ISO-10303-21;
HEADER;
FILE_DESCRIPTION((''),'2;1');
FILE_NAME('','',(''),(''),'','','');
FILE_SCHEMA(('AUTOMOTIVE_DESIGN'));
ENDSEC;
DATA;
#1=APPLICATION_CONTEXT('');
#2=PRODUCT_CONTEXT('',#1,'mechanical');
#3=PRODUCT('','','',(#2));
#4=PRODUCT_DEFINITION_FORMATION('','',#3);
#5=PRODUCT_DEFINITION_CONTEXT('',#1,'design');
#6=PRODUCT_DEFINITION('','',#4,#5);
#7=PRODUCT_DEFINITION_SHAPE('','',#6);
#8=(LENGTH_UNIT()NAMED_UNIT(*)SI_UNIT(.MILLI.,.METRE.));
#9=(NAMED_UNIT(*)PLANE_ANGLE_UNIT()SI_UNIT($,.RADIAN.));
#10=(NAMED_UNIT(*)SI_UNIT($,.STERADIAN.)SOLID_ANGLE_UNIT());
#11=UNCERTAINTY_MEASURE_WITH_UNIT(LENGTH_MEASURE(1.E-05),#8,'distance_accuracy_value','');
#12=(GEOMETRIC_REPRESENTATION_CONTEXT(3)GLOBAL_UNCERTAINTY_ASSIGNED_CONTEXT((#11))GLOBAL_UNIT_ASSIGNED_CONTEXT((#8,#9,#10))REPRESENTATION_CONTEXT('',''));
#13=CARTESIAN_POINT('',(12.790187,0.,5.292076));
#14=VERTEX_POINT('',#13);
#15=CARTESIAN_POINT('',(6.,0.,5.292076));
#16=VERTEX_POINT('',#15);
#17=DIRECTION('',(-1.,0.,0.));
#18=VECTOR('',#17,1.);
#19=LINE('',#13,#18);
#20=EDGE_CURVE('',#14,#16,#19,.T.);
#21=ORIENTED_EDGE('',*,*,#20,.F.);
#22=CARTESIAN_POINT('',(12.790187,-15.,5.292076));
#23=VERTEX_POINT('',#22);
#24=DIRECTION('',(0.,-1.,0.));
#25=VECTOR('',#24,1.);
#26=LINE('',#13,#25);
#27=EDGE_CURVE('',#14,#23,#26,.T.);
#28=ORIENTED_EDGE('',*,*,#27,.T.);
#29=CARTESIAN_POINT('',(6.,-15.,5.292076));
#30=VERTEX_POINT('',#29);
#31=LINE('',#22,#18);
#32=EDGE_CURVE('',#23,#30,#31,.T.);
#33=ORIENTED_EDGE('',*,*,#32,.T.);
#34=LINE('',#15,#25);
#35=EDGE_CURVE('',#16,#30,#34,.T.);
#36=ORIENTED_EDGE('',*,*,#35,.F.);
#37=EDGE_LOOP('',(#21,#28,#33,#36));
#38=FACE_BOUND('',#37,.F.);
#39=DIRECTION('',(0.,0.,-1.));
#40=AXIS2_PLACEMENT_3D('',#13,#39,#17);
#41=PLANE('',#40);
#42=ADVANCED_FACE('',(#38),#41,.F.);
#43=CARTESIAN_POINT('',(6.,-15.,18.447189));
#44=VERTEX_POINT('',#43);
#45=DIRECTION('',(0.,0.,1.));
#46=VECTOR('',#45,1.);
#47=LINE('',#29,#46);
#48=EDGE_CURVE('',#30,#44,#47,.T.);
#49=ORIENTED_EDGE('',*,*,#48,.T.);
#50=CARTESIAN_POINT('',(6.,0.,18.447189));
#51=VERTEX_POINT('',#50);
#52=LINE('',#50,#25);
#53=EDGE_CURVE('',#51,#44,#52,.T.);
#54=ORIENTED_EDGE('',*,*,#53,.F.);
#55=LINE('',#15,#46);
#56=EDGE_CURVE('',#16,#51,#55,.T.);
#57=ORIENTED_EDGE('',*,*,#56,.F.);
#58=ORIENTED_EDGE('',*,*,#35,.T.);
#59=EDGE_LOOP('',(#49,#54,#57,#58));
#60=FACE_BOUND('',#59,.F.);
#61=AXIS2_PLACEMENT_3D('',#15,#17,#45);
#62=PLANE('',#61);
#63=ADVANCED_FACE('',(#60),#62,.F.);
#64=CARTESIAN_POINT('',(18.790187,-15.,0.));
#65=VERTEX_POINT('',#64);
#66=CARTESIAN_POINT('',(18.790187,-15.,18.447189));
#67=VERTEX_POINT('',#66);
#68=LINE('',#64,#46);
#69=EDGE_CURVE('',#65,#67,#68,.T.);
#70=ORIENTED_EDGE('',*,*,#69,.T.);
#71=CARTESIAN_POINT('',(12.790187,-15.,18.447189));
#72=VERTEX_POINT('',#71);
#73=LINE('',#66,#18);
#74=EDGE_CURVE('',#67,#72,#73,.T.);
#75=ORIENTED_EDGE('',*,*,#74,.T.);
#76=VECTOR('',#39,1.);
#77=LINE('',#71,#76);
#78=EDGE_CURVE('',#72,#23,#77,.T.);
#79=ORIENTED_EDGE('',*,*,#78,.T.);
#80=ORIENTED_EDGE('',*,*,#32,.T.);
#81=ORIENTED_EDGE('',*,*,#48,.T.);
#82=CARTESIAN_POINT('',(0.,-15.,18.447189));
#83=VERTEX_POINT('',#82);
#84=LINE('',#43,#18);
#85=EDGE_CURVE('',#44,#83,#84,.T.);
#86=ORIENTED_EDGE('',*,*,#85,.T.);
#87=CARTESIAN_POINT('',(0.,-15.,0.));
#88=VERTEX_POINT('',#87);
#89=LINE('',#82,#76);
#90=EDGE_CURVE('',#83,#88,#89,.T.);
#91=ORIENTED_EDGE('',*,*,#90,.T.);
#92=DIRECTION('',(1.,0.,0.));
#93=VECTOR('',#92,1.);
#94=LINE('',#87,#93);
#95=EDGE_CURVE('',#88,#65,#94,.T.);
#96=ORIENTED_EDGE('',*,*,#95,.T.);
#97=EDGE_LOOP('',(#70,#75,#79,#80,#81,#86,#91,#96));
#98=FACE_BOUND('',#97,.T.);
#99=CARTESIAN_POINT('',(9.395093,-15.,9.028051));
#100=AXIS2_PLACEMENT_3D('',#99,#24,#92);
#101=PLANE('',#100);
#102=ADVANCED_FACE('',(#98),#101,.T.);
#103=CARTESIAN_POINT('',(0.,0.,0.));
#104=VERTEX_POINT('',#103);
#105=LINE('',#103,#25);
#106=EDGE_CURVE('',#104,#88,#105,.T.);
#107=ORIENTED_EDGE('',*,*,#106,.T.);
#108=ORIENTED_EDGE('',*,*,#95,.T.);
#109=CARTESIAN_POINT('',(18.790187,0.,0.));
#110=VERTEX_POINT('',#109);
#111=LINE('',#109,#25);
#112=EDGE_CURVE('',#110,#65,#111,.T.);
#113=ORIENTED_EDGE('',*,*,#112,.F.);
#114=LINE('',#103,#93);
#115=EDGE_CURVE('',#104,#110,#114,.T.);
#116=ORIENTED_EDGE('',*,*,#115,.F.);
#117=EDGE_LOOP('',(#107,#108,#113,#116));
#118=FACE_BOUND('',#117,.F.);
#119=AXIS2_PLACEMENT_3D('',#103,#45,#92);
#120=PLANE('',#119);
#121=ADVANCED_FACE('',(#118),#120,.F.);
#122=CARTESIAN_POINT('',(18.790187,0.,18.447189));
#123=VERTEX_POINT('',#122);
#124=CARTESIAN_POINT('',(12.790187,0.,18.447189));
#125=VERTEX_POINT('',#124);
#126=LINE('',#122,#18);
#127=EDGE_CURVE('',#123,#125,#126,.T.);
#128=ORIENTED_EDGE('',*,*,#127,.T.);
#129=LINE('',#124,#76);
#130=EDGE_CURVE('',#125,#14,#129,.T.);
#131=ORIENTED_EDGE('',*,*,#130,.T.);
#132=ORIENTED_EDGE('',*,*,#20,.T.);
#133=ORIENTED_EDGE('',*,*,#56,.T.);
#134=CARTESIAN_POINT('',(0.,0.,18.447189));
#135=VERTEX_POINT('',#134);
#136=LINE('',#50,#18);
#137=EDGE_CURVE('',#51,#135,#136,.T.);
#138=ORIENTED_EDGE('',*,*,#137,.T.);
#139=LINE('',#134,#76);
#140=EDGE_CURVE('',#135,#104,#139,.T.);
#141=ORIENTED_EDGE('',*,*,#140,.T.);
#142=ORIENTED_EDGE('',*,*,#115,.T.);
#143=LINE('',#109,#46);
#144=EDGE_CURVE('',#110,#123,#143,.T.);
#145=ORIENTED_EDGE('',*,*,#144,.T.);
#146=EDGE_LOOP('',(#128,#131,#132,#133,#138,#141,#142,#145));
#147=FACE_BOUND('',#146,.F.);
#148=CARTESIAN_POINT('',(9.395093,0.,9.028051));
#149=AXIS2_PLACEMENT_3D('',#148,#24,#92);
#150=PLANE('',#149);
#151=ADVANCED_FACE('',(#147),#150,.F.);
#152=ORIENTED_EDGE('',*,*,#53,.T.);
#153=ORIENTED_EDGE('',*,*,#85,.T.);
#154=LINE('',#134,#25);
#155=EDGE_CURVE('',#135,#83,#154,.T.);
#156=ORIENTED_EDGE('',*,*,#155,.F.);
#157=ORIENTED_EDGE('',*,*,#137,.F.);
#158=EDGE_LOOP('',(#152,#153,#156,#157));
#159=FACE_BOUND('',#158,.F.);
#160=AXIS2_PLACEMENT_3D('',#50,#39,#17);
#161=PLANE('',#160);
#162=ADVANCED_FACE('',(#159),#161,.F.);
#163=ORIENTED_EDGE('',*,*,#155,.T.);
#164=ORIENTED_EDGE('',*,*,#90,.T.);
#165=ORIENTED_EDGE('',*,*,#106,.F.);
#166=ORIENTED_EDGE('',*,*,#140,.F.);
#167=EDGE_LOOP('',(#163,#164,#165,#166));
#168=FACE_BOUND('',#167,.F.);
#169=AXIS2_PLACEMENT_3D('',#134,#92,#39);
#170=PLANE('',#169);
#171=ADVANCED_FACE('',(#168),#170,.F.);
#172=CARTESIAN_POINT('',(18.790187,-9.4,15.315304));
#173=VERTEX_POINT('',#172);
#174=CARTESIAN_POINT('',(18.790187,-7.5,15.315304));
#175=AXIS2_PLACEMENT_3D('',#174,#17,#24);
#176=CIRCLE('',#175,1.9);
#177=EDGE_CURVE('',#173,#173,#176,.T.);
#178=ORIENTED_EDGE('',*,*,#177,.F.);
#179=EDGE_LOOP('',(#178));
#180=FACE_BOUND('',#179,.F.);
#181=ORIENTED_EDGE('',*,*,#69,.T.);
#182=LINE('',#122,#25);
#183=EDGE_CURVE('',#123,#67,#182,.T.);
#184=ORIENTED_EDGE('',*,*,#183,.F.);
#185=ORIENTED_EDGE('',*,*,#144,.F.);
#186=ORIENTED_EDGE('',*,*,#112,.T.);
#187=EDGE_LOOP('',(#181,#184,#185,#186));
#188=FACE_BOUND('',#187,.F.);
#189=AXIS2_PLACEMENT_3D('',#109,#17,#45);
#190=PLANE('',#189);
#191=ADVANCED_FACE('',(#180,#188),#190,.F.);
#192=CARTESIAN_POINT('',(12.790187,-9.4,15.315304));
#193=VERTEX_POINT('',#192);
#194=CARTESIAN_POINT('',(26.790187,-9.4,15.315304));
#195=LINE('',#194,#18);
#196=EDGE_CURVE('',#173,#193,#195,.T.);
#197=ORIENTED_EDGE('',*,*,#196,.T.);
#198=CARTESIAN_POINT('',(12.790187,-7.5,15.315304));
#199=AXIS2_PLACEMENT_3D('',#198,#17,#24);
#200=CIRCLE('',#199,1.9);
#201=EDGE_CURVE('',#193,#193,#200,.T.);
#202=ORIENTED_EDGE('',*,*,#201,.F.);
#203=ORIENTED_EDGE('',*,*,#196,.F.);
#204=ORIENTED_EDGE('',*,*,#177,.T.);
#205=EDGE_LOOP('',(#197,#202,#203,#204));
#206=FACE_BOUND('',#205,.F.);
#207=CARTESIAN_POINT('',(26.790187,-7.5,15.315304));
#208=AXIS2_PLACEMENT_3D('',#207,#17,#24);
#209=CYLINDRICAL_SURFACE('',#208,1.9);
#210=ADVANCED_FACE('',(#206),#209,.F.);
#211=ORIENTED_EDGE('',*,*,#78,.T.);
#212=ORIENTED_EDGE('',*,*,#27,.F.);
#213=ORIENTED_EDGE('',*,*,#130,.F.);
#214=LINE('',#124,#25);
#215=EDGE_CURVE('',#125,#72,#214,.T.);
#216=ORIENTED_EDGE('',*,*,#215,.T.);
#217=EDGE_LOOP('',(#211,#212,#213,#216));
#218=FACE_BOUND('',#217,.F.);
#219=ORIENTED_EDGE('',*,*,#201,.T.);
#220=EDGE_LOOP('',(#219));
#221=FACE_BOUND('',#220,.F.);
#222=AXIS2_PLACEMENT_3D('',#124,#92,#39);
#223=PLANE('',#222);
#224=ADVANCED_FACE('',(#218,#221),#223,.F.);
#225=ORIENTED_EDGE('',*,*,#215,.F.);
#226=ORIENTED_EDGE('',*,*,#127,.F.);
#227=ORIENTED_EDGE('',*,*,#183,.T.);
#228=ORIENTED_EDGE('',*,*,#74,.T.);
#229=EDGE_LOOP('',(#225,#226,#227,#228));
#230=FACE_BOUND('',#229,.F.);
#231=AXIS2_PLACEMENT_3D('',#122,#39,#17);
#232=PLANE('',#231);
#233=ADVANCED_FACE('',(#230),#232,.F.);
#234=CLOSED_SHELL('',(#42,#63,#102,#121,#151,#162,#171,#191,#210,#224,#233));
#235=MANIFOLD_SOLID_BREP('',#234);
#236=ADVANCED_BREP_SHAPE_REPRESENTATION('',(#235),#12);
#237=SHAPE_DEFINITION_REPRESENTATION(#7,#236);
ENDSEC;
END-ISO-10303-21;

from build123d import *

# Parameters (mm, degrees)
F1_DEPTH = 15
F3_D     = 3.8
F3_DEPTH = 8


with BuildPart() as f1:
    # F0 (on Front) → F1 (new body)
    with BuildSketch(Plane.XZ):
        Polygon((0, 18.447189), (0, 0), (18.790187, 0), (18.790187, 18.447189), (12.790187, 18.447189), (12.790187, 5.292076), (6, 5.292076), (6, 18.447189), align=None)
    extrude(amount=F1_DEPTH)

    # F3
    with Locations(Plane.YZ.offset(18.790187)):
        with Locations((-7.5, 15.315304)):
            Hole(F3_D / 2, depth=F3_DEPTH)


solid = f1.part
